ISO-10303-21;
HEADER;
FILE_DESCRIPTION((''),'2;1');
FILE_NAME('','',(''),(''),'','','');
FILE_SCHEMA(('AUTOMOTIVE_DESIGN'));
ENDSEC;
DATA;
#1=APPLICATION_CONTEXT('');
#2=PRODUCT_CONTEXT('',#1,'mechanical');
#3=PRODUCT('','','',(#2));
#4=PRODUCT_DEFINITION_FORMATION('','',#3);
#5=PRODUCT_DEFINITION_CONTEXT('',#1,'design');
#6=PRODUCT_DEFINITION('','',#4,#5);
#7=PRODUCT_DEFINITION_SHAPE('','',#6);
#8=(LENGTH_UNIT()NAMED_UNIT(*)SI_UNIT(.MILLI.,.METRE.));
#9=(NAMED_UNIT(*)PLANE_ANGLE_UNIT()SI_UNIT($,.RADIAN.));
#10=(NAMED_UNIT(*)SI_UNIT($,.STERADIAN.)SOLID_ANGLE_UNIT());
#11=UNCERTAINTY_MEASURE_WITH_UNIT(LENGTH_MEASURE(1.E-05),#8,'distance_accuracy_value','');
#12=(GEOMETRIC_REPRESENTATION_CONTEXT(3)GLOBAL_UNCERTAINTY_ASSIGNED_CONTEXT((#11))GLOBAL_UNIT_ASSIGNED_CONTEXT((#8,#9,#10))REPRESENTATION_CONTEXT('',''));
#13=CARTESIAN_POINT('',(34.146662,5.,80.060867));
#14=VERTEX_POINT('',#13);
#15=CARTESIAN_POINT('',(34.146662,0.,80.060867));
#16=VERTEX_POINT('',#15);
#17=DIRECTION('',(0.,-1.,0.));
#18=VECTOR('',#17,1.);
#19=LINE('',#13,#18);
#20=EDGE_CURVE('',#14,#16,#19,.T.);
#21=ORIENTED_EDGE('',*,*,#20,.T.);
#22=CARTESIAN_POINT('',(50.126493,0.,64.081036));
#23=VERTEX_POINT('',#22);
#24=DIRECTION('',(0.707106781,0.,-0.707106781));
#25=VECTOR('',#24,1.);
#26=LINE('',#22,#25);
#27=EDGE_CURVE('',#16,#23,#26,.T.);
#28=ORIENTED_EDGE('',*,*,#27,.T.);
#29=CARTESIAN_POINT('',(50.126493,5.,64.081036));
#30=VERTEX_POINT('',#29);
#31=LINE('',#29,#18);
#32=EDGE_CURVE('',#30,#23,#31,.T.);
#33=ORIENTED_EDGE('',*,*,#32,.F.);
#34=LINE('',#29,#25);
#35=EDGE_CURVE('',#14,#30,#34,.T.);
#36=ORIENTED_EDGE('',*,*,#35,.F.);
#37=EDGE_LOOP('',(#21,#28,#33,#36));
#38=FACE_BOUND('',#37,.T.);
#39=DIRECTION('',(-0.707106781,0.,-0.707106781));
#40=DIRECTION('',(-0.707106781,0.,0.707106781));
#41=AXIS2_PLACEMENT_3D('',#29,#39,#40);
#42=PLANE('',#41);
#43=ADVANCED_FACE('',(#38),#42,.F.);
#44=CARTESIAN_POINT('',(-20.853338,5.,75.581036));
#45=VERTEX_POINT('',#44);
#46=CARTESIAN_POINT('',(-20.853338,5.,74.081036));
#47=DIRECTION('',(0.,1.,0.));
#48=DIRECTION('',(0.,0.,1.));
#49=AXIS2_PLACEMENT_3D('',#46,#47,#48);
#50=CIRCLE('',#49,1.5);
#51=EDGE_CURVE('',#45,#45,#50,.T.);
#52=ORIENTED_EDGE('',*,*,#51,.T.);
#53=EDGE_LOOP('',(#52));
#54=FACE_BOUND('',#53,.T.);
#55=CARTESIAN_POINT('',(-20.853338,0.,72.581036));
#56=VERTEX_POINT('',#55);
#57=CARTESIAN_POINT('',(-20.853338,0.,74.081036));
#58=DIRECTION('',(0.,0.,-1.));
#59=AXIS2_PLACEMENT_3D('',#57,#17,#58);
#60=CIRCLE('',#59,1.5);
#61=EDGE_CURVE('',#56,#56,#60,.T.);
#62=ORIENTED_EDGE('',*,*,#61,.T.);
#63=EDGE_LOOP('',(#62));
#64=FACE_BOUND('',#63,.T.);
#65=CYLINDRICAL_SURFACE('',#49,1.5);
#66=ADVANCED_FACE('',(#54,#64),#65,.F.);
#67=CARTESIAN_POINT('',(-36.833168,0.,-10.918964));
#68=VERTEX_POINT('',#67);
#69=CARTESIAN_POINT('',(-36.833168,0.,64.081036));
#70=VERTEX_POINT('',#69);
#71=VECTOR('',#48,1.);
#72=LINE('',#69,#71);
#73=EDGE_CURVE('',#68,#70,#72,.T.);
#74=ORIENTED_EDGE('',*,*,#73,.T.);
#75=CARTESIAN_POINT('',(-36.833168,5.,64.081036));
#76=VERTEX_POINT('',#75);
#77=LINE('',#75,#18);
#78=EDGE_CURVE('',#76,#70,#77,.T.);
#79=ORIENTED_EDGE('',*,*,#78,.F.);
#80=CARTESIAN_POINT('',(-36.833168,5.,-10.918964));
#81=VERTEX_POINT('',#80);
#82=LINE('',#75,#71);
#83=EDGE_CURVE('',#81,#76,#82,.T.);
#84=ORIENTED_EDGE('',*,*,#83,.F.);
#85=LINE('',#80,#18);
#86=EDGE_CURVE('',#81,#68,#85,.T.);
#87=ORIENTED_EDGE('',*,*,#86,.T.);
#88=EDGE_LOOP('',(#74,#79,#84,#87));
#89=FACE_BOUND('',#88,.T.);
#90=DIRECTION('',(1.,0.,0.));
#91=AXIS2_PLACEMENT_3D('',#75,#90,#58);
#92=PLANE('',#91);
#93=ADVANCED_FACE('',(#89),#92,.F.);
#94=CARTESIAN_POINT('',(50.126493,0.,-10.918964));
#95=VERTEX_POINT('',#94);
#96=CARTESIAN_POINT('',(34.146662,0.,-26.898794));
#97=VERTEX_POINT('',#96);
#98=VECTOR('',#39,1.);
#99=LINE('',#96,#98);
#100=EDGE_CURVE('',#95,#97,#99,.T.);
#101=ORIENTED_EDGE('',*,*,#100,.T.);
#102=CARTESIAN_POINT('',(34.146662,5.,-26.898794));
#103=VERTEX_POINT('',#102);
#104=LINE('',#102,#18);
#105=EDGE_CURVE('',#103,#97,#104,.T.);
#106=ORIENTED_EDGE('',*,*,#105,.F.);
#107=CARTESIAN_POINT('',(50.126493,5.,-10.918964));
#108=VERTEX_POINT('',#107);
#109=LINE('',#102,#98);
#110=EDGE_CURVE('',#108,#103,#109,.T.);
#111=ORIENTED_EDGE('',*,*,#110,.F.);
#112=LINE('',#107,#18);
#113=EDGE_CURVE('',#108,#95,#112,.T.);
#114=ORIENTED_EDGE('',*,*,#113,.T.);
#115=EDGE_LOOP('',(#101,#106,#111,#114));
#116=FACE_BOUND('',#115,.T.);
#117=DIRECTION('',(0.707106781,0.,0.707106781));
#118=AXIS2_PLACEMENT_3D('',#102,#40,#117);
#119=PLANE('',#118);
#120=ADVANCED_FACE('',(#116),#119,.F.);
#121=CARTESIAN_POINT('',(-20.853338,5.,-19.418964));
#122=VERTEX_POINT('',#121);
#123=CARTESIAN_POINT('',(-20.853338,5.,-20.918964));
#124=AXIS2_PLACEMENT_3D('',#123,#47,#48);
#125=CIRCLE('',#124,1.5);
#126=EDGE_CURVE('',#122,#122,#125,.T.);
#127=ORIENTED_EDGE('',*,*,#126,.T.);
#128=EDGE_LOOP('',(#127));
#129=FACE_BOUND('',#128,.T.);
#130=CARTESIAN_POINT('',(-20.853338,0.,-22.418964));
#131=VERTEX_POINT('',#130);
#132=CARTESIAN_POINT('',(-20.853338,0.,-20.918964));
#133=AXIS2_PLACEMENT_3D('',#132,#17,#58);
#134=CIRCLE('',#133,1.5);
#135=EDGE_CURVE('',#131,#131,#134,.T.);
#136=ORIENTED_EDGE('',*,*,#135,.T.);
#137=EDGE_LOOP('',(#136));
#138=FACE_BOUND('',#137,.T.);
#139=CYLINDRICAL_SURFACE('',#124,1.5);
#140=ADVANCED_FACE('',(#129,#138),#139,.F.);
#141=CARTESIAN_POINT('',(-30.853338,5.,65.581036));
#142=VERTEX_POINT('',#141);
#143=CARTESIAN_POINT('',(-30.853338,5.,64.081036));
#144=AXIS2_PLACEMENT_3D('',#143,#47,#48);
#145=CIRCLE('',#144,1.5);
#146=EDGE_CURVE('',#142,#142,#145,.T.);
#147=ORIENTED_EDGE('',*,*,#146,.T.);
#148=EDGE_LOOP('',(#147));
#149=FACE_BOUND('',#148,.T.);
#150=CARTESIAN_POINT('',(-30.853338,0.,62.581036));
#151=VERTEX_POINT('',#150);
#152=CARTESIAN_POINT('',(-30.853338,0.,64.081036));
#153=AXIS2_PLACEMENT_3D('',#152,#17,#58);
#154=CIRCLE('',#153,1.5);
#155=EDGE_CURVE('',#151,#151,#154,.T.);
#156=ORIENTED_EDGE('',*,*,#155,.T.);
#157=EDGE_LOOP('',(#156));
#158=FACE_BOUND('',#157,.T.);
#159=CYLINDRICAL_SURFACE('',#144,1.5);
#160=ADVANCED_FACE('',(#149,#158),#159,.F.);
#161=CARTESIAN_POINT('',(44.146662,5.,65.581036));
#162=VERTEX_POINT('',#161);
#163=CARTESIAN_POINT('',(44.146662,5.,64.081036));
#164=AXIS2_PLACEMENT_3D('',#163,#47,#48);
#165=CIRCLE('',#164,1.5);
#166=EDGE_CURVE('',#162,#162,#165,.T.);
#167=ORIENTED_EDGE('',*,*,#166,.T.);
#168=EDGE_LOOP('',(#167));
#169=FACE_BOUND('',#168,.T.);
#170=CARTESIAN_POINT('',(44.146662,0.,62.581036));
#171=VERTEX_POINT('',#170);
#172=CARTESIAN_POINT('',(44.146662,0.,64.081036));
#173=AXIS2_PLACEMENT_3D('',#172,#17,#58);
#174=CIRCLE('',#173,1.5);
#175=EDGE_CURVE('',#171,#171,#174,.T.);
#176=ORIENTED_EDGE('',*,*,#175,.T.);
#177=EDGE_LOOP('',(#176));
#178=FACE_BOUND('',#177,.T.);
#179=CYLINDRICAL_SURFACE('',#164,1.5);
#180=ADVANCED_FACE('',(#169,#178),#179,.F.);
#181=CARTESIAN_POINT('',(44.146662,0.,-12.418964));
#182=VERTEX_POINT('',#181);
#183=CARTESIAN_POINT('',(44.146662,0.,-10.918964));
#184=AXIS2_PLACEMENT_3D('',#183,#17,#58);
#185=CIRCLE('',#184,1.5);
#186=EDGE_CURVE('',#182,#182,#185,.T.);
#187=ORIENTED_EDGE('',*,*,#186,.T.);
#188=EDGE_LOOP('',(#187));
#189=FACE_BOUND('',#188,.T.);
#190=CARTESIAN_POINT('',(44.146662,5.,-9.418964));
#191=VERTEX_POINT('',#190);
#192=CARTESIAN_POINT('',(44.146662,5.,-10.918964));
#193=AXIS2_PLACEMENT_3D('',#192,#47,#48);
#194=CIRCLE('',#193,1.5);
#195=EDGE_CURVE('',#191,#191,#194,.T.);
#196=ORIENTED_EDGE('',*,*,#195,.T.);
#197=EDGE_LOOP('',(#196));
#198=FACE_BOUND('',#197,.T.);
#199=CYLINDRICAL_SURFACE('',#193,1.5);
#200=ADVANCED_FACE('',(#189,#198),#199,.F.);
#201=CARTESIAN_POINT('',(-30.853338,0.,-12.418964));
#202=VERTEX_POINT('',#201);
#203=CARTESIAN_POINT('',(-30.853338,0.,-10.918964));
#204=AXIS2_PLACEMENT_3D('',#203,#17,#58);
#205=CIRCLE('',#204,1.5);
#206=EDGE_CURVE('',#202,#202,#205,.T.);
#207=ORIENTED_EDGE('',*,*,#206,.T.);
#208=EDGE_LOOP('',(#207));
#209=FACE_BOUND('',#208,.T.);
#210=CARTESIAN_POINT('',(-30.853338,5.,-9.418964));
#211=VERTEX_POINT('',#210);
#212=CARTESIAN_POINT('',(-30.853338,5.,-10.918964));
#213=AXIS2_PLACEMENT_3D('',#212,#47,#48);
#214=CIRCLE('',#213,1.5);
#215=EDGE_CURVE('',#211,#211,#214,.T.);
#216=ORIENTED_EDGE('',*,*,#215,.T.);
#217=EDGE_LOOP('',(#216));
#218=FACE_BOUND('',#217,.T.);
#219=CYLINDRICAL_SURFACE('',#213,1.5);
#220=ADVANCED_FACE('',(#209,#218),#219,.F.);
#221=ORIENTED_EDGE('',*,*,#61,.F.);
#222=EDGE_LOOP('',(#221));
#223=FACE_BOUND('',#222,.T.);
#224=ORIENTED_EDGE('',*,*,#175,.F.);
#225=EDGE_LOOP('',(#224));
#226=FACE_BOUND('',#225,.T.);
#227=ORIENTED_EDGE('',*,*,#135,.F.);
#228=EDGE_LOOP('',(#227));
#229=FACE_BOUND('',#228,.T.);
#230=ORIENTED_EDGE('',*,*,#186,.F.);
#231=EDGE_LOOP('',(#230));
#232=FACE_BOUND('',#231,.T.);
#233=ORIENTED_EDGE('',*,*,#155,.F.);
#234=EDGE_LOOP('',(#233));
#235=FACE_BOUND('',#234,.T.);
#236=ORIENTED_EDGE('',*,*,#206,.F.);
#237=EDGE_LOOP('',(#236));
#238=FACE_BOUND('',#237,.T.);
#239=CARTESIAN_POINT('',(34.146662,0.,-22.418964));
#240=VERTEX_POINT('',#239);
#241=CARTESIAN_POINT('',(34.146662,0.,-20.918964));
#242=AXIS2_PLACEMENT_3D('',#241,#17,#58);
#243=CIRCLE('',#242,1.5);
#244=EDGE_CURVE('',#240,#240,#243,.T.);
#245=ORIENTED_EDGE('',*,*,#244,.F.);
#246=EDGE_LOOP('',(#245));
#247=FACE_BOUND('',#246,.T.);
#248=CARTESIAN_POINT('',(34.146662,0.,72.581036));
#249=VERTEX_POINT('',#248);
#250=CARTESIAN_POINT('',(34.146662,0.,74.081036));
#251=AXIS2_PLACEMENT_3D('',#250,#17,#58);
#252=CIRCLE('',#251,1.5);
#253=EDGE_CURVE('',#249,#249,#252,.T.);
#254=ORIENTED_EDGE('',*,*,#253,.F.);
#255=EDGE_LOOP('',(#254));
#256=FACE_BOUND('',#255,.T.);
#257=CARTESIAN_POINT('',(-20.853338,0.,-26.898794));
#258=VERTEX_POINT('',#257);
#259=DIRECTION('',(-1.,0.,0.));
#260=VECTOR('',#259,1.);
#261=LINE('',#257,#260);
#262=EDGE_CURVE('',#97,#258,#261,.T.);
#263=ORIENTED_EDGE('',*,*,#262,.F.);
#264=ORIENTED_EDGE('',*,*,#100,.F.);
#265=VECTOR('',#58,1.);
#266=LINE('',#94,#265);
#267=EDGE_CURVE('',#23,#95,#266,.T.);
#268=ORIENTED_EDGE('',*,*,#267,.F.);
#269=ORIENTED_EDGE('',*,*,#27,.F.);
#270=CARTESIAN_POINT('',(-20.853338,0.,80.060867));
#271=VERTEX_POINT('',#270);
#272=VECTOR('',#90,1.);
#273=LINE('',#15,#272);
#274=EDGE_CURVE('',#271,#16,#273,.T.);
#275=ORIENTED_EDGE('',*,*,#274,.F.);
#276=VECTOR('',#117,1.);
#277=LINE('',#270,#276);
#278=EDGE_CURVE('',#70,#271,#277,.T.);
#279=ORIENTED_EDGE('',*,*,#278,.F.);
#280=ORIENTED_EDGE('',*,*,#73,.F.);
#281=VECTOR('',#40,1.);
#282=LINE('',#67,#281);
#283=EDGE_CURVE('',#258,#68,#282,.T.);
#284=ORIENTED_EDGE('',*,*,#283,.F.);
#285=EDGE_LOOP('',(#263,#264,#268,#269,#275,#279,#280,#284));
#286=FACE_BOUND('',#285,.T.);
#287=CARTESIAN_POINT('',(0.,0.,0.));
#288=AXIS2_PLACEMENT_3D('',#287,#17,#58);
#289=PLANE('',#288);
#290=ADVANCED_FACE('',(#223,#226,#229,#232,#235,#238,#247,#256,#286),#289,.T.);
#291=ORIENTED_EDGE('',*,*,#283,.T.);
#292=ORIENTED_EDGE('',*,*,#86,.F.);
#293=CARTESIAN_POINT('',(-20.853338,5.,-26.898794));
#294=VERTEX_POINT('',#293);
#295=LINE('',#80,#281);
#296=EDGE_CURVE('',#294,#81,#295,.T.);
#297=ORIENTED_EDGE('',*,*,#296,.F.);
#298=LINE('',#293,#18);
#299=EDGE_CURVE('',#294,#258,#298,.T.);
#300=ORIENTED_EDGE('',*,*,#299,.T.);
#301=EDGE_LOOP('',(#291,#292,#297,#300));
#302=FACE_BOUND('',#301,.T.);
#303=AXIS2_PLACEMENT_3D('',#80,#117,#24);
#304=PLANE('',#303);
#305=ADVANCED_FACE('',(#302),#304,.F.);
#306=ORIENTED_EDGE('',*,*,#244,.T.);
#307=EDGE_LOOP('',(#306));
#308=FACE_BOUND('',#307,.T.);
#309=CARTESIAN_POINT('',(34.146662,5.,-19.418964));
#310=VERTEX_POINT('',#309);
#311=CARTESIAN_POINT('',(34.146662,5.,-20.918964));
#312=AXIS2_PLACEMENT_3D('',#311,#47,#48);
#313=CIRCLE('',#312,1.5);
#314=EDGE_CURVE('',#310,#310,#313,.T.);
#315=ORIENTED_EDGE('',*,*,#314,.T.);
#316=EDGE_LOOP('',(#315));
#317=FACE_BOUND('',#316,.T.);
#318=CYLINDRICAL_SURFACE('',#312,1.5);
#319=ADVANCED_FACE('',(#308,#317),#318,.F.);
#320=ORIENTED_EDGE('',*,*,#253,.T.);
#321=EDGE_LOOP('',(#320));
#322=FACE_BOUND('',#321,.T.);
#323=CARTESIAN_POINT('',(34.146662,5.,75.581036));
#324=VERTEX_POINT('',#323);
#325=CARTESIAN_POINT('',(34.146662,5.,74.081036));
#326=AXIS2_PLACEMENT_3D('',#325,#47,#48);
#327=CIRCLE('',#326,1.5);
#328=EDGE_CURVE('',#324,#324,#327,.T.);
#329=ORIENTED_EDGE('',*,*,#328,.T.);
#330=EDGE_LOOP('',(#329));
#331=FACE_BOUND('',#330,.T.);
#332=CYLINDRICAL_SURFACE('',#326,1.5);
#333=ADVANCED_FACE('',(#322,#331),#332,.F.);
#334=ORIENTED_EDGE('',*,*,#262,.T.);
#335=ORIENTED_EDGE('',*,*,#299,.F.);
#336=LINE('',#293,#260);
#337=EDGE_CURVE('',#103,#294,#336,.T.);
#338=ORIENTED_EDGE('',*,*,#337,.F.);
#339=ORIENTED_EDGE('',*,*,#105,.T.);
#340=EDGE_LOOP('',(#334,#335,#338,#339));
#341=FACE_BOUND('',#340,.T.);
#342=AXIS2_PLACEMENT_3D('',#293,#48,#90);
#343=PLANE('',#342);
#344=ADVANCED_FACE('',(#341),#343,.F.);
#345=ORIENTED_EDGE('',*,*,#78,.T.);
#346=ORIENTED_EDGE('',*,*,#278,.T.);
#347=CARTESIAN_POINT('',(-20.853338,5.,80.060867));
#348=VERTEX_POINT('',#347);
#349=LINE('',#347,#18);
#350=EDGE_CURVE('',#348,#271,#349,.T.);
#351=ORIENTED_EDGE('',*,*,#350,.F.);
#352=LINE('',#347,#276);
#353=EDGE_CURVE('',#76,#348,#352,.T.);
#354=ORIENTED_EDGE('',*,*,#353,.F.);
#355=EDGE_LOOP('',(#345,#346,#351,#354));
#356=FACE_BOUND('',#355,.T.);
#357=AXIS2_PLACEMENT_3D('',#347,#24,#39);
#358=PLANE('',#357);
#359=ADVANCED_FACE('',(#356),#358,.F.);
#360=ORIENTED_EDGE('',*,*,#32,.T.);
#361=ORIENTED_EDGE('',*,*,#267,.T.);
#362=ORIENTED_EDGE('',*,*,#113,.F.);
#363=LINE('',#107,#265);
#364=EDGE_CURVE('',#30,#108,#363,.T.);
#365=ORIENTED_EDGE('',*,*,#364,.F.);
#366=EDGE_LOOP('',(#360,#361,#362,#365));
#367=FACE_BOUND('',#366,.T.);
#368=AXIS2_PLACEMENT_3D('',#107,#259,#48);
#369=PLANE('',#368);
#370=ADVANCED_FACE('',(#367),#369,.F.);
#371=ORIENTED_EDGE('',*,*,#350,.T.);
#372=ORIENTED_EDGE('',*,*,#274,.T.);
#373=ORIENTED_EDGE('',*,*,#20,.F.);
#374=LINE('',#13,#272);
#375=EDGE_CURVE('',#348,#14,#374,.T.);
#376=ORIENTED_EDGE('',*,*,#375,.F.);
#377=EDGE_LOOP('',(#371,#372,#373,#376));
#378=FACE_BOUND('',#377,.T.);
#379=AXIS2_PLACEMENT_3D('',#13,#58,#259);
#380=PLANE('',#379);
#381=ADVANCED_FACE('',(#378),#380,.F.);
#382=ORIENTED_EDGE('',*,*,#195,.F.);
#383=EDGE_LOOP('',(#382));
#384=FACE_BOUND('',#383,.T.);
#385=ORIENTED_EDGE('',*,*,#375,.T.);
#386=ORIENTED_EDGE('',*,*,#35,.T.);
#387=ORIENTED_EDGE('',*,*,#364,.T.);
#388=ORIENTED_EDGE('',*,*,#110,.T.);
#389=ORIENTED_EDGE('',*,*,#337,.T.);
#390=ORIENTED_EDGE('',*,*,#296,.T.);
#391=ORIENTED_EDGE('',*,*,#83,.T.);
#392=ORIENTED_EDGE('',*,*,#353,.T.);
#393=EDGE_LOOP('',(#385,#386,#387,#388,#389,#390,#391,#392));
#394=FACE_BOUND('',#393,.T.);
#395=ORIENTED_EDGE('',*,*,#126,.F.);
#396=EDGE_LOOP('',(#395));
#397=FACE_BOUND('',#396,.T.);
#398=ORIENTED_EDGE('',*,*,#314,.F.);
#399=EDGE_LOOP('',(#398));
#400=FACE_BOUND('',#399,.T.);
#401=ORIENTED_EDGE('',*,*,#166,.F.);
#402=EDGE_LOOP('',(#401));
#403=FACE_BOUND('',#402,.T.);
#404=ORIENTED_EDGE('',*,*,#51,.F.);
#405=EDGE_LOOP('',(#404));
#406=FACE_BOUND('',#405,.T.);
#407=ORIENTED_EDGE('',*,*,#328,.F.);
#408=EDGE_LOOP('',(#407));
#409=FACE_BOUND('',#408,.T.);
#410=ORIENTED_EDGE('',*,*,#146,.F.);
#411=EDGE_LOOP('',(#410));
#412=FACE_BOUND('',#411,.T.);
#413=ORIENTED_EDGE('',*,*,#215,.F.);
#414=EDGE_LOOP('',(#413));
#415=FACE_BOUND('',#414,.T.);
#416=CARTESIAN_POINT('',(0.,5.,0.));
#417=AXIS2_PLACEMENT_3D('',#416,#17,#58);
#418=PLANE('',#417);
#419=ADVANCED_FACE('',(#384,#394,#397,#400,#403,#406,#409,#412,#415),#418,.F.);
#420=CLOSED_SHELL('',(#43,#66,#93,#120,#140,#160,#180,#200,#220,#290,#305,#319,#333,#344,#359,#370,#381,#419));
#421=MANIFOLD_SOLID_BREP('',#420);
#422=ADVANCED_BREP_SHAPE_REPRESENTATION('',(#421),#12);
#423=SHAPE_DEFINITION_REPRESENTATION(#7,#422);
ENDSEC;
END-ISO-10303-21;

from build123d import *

# Parameters (mm, degrees)
BOSS_EXTRUDE1_DEPTH          = 5
F_3_0_3_DIAMETER_HOLE2_D     = 3
F_3_0_3_DIAMETER_HOLE2_DEPTH = 5
F_3_0_3_DIAMETER_HOLE3_D     = 3
F_3_0_3_DIAMETER_HOLE3_DEPTH = 5
F_3_0_3_DIAMETER_HOLE4_D     = 3
F_3_0_3_DIAMETER_HOLE4_DEPTH = 5


with BuildPart() as part:
    # Sketch1 → Boss-Extrude1 (new body)
    with BuildSketch(Plane(origin=(0, 0, 0), x_dir=(1, 0, 0), z_dir=(0, 1, 0))):
        Polygon((-36.833168475, 10.918963515), (-20.85333758, 26.89879441), (34.14666242, 26.89879441), (50.126493315, 10.918963515), (50.126493315, -64.081036485), (34.14666242, -80.060867381), (-20.85333758, -80.060867381), (-36.833168475, -64.081036485), align=None)
    extrude(amount=BOSS_EXTRUDE1_DEPTH)

    # Ø3.0 (3) Diameter Hole2
    with Locations(Plane(origin=(-30.85333758, 5, -10.918963515), x_dir=(0, 0, 1), z_dir=(0, 1, 0))):
        with Locations((0, 0), (-10, 10)):
            Hole(F_3_0_3_DIAMETER_HOLE2_D / 2, depth=F_3_0_3_DIAMETER_HOLE2_DEPTH)

    # Ø3.0 (3) Diameter Hole3
    with Locations(Plane(origin=(34.14666242, 5, -20.918963515), x_dir=(0, 0, 1), z_dir=(0, 1, 0))):
        with Locations((0, 0), (10, 10)):
            Hole(F_3_0_3_DIAMETER_HOLE3_D / 2, depth=F_3_0_3_DIAMETER_HOLE3_DEPTH)

    # Ø3.0 (3) Diameter Hole4
    with Locations(Plane(origin=(-30.85333758, 5, 64.081036485), x_dir=(0, 0, 1), z_dir=(0, 1, 0))):
        with Locations((0, 0), (10, 10), (10, 65), (0, 75)):
            Hole(F_3_0_3_DIAMETER_HOLE4_D / 2, depth=F_3_0_3_DIAMETER_HOLE4_DEPTH)


solid = part.part
